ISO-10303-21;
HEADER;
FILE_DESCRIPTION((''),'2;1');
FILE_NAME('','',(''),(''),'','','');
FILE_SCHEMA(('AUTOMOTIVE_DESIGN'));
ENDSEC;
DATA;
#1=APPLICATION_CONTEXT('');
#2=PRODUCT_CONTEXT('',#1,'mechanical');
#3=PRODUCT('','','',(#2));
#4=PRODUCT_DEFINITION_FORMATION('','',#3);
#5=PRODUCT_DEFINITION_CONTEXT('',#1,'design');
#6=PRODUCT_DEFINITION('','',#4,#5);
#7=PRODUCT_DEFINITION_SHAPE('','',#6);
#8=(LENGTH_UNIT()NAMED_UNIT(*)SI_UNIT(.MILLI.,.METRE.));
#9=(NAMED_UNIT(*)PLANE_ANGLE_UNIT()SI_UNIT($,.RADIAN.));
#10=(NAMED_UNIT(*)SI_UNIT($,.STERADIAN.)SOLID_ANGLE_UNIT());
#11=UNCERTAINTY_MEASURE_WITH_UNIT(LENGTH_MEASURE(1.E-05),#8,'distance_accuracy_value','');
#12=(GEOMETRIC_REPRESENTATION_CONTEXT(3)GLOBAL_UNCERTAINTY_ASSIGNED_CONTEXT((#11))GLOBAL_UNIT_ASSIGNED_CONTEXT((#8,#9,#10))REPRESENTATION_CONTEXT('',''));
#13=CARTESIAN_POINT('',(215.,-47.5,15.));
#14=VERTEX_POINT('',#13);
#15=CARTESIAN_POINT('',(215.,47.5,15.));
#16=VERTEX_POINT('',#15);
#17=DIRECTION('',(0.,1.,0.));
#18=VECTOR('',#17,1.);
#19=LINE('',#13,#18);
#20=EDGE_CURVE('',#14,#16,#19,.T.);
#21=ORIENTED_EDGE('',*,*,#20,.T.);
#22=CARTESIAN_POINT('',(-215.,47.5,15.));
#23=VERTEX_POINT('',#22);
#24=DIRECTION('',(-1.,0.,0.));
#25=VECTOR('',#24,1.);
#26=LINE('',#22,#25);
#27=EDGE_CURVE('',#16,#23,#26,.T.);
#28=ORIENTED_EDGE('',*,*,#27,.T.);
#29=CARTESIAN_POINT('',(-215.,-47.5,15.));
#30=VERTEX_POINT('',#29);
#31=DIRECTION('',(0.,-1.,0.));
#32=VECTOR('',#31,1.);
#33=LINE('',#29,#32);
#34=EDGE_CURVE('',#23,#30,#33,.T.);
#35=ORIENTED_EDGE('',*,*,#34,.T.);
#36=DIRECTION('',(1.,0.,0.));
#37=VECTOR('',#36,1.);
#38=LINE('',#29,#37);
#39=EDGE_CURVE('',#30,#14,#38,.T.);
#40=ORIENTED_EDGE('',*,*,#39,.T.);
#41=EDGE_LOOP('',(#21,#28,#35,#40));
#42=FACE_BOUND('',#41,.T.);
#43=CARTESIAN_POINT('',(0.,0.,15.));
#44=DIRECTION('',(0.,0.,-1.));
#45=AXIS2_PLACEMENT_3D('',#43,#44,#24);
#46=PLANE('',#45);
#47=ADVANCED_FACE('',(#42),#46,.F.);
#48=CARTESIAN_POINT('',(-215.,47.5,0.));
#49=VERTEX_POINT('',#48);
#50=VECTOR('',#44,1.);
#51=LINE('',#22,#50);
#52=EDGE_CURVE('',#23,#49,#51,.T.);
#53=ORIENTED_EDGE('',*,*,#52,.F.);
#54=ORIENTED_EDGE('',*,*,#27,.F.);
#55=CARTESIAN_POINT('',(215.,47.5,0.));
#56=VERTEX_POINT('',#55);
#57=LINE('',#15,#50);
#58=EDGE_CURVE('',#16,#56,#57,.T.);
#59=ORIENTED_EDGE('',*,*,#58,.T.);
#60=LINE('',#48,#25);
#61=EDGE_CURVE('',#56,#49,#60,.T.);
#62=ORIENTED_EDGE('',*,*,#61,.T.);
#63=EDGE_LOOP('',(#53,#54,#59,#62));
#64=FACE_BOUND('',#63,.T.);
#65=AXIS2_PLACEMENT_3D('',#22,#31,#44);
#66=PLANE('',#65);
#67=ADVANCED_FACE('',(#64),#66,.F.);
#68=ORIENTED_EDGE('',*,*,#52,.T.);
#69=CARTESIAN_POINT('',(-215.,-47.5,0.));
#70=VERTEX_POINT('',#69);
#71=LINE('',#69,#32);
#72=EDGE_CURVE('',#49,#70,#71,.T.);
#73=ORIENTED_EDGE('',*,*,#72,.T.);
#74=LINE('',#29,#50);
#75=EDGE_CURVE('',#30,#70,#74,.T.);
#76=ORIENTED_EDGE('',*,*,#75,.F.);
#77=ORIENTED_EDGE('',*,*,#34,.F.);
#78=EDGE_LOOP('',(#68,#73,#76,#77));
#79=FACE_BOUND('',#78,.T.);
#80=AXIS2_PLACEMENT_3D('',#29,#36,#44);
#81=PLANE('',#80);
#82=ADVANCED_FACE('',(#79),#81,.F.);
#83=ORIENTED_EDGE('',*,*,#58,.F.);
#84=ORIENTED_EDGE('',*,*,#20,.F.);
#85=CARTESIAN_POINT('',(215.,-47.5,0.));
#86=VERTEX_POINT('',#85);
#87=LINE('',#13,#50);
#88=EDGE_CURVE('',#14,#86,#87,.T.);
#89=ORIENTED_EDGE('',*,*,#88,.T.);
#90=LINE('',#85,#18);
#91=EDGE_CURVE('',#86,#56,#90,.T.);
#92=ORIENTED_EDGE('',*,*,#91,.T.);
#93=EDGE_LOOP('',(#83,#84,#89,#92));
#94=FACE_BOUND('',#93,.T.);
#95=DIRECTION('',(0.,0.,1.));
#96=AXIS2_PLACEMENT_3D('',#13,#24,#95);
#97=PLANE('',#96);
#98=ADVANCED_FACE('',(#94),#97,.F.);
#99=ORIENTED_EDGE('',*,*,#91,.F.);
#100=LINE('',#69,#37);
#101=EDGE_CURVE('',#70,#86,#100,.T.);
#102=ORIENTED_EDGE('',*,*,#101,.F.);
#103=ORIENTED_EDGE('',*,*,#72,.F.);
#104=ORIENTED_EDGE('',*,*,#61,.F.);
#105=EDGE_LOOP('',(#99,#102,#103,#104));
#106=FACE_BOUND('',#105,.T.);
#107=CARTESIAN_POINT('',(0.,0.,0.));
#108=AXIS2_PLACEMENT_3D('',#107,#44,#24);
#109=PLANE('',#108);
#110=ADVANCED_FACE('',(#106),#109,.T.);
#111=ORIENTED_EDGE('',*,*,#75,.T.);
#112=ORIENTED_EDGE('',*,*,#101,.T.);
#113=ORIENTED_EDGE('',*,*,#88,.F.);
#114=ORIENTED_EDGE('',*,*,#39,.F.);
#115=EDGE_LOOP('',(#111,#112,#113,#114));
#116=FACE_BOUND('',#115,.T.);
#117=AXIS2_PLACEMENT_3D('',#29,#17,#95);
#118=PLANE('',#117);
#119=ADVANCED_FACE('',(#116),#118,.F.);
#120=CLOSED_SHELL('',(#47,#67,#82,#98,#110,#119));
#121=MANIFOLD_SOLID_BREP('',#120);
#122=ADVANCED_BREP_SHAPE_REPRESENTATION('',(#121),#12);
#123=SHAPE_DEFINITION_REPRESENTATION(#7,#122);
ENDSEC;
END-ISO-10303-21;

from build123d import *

# Parameters (mm, degrees)
ESQUISSE2_W        = 430
ESQUISSE2_H        = 95
BOSS_EXTRU_1_DEPTH = 15


with BuildPart() as part:
    # Esquisse2 → Boss.-Extru.1 (new body)
    with BuildSketch(Plane.XY):
        Rectangle(ESQUISSE2_W, ESQUISSE2_H)
    extrude(amount=BOSS_EXTRU_1_DEPTH)


solid = part.part
